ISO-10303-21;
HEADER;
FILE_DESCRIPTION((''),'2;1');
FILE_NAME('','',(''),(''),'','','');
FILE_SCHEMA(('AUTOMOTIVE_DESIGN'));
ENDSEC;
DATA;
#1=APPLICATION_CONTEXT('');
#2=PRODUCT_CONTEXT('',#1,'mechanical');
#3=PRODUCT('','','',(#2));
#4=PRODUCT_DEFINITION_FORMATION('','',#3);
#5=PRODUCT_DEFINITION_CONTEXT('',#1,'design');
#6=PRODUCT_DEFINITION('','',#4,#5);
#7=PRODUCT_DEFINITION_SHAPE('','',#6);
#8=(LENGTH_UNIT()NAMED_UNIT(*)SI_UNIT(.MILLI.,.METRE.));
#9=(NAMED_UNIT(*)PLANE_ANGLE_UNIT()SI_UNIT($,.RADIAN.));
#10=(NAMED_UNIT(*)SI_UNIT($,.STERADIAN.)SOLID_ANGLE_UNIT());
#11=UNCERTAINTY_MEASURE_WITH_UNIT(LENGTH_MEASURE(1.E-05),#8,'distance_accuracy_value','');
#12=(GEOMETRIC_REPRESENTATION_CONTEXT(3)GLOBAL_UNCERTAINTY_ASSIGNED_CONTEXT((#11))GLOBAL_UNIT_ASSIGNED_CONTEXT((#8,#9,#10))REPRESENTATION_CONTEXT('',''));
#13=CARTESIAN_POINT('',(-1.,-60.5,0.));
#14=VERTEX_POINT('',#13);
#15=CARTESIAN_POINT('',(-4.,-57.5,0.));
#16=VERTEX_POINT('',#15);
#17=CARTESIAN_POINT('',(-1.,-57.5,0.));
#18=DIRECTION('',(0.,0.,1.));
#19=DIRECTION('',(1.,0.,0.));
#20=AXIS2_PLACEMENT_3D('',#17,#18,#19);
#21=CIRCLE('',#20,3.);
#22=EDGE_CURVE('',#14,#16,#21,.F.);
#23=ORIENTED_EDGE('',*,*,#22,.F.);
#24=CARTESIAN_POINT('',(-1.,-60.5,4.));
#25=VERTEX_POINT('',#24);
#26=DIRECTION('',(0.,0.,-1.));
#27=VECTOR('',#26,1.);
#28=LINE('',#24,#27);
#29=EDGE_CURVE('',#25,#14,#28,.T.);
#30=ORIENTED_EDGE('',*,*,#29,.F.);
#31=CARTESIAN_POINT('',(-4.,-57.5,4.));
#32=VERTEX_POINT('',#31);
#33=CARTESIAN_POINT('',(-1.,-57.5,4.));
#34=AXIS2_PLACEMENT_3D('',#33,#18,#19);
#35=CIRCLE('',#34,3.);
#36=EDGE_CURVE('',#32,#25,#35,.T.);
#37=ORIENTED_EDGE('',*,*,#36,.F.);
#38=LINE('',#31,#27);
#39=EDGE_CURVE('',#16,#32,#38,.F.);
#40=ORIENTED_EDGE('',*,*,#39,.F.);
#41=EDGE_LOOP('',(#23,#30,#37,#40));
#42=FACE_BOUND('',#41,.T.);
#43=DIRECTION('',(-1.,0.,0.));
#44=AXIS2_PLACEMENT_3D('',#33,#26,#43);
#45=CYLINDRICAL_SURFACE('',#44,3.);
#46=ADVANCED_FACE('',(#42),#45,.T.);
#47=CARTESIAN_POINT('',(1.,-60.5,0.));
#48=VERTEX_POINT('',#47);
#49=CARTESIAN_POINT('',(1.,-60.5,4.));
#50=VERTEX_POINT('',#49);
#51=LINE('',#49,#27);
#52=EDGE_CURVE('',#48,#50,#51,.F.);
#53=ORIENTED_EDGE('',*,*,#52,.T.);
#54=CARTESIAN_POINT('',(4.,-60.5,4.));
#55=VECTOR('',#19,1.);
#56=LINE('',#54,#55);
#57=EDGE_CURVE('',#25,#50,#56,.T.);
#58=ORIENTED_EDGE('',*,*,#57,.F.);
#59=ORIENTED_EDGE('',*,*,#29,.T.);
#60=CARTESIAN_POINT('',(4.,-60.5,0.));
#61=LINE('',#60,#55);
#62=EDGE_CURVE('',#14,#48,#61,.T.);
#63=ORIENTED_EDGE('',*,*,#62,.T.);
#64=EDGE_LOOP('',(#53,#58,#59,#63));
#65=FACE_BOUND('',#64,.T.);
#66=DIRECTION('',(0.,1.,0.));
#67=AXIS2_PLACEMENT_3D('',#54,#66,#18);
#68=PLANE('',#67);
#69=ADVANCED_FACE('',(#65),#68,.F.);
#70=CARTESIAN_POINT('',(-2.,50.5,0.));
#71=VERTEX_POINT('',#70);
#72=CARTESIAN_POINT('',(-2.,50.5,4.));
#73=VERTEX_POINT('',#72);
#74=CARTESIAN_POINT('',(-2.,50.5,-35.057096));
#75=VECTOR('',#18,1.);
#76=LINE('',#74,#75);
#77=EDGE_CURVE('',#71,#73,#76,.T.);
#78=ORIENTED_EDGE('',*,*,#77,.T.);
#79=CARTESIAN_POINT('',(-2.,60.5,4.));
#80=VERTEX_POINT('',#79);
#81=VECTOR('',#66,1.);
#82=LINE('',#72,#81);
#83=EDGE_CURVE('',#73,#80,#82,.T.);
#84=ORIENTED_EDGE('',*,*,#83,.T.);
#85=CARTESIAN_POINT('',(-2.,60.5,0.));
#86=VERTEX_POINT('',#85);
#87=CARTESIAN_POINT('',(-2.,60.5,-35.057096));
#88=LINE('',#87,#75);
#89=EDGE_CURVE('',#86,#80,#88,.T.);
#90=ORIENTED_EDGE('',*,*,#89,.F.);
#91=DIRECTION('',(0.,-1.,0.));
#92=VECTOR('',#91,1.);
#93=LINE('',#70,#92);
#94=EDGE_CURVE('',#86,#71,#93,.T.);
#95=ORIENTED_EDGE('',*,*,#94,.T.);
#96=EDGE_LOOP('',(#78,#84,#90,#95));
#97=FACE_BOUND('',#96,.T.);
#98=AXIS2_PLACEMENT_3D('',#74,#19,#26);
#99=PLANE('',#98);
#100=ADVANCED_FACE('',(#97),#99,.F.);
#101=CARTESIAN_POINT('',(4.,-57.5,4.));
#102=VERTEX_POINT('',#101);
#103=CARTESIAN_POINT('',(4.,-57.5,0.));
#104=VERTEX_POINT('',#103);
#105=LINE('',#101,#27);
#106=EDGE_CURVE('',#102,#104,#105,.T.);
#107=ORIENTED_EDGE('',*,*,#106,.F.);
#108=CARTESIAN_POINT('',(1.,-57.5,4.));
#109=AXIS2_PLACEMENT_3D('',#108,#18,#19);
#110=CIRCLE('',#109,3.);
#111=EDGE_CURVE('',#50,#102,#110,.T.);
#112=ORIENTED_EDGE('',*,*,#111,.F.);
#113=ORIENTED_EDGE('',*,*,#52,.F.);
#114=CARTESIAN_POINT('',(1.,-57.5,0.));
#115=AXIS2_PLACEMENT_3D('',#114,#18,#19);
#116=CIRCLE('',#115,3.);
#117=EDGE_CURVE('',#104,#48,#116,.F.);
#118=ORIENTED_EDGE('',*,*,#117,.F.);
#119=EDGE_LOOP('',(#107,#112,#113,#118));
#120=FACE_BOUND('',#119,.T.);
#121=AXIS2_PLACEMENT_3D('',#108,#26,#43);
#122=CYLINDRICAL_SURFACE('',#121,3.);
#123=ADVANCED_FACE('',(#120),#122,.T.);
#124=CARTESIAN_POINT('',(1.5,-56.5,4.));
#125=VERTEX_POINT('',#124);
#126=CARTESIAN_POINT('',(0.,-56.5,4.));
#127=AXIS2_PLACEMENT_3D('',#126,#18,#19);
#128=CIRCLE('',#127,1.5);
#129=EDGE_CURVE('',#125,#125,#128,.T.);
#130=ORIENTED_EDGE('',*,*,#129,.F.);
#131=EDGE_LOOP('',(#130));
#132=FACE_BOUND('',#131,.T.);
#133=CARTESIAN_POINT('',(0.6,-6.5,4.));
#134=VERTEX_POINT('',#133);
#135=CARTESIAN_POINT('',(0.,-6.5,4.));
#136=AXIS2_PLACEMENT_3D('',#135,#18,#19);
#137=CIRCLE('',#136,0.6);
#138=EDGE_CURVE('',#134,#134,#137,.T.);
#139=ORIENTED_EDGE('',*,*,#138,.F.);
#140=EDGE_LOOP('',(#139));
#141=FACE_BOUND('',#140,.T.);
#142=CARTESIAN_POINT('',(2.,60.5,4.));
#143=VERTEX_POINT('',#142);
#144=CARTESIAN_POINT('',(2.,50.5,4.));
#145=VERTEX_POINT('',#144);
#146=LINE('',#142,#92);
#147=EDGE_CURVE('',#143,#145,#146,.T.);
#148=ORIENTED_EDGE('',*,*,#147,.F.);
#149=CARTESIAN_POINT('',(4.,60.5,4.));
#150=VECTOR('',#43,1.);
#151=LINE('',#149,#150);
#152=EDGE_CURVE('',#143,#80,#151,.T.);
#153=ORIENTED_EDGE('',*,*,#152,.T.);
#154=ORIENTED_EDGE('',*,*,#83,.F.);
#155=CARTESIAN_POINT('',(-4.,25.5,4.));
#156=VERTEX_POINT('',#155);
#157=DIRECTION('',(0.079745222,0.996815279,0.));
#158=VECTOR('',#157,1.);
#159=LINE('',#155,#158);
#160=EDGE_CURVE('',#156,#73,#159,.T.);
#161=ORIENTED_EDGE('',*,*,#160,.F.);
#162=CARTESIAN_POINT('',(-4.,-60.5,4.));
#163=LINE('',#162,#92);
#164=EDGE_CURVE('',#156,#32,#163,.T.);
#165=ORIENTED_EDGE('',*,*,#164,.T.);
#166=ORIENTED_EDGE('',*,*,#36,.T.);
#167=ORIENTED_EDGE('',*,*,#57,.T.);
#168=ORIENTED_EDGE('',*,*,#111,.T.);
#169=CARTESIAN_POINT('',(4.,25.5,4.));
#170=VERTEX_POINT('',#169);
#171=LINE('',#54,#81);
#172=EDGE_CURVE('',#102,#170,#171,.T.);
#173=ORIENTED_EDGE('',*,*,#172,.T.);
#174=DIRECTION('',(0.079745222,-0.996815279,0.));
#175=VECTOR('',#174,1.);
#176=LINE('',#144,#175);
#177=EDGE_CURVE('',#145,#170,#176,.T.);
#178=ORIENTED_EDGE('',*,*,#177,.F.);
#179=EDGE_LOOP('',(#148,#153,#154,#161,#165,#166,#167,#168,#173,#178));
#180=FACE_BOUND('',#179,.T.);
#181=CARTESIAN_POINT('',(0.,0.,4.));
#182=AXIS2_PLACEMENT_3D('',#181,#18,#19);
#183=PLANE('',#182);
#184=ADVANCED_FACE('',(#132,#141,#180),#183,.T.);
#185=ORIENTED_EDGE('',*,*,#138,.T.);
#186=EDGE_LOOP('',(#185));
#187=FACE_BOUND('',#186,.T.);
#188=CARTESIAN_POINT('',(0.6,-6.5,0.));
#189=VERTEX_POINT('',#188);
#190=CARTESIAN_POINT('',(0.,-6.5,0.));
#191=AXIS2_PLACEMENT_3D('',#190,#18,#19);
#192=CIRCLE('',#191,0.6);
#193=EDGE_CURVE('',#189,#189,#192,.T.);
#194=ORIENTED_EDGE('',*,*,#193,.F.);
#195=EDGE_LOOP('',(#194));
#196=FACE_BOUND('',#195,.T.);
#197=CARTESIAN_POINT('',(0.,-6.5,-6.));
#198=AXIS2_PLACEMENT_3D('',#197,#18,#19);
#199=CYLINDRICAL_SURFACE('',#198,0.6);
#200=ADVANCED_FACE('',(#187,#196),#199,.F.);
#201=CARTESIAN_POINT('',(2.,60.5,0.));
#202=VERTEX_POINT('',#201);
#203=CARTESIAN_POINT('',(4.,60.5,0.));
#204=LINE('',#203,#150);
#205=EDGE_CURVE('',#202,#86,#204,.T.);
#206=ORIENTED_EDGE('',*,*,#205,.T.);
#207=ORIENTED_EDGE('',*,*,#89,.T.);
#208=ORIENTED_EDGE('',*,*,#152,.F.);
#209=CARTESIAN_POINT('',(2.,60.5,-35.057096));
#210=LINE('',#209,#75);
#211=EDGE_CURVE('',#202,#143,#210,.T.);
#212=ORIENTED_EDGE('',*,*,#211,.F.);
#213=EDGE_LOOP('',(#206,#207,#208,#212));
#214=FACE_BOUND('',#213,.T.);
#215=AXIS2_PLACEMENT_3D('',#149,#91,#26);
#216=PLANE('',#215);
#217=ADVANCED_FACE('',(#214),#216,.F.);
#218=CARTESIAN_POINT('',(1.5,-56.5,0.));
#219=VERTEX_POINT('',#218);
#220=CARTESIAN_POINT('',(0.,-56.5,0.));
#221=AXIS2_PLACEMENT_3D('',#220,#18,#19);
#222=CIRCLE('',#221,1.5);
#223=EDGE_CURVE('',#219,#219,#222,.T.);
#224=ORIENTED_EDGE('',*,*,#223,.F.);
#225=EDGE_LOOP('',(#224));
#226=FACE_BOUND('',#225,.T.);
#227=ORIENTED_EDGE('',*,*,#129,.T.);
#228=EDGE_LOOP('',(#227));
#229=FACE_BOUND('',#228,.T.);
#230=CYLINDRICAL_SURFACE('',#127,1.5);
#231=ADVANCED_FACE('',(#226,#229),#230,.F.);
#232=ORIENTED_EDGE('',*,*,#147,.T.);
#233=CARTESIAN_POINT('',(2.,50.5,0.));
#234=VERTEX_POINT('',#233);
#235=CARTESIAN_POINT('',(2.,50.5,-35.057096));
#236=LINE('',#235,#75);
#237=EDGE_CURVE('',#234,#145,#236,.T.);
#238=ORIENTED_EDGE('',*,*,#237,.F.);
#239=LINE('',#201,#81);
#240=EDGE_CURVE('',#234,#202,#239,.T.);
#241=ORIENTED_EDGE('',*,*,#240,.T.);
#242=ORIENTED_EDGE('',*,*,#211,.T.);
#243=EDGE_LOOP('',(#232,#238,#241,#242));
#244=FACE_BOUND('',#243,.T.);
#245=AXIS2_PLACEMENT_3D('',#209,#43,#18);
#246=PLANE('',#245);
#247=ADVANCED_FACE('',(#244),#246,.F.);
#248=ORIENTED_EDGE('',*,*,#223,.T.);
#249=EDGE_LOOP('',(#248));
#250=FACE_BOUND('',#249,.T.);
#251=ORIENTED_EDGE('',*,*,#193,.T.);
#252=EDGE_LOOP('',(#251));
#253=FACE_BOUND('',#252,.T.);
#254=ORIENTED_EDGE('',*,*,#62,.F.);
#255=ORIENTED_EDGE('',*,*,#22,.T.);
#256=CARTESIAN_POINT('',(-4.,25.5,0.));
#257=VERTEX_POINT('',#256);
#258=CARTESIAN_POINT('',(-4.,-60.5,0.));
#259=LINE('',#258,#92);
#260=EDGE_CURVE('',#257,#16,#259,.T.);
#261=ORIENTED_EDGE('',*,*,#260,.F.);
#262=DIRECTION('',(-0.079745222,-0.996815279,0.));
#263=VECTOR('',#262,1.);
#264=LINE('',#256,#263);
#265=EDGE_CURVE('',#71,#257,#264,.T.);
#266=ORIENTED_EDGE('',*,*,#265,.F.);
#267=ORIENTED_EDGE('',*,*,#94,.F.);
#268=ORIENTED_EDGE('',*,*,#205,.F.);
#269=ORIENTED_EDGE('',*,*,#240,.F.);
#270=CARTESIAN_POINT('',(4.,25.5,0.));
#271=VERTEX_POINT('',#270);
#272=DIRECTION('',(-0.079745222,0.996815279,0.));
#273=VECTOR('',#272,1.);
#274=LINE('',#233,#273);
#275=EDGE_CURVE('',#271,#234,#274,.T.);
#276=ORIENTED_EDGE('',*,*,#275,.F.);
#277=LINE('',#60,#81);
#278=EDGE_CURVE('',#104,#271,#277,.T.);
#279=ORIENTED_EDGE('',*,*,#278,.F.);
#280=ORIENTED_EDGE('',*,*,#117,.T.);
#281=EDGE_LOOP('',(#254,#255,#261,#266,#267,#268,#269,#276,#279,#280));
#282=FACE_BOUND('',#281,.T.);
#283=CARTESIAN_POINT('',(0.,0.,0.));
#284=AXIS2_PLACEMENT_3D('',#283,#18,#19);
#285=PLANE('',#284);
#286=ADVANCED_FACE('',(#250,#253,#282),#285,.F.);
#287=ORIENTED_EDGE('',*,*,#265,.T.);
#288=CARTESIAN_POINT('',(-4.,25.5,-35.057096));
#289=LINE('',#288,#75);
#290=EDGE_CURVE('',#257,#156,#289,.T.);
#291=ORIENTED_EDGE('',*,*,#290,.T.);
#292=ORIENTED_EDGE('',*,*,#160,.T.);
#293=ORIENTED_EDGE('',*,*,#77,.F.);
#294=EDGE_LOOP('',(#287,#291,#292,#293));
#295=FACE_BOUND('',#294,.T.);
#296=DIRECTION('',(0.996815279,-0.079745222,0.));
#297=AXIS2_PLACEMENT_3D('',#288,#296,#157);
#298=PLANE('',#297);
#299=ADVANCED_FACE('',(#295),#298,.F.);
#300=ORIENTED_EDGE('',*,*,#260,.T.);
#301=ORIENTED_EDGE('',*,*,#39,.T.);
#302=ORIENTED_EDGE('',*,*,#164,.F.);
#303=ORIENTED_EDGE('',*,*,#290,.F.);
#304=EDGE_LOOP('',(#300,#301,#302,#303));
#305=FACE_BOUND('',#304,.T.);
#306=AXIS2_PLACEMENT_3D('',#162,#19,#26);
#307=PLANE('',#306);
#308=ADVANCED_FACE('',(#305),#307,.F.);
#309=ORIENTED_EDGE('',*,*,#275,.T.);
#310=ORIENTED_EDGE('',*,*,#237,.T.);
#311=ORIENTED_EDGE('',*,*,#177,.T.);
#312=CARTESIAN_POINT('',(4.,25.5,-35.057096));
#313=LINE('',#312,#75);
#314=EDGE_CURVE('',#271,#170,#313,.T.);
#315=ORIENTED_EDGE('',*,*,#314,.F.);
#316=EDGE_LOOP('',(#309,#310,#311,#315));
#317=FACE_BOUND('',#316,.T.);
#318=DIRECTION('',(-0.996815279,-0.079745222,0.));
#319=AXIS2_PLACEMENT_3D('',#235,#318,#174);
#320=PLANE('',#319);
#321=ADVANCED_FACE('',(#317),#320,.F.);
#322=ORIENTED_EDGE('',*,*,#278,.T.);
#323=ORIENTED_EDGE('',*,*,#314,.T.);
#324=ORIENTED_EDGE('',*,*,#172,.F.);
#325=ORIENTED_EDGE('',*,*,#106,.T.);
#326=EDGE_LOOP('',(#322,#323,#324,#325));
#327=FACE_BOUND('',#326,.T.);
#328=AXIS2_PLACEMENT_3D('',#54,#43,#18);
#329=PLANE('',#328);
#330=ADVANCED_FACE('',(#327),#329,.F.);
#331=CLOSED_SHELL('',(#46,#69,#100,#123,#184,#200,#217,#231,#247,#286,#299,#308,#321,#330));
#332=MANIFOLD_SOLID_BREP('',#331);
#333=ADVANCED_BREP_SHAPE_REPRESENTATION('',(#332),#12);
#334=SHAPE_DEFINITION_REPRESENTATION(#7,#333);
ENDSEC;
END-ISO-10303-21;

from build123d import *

# Parameters (mm, degrees)
SKETCH1_W             = 8
SKETCH1_H             = 121
BOSS_EXTRUDE1_DEPTH   = 4
FILLET1_R             = 3
CUT_EXTRUDE1_DEPTH    = 4
F_1_0MM_DOWEL_HOLE1_D = 3
SKETCH6_R             = 0.6
CUT_EXTRUDE2_DEPTH    = 10


with BuildPart() as part:
    # Sketch1 → Boss-Extrude1 (new body)
    with BuildSketch(Plane.XY):
        Rectangle(SKETCH1_W, SKETCH1_H)
    extrude(amount=BOSS_EXTRUDE1_DEPTH)

    # Fillet1
    fillet1_edges = [part.edges().sort_by_distance(p)[0] for p in [
        (4, -60.5, 2),
        (-4, -60.5, 2),
    ]]
    fillet(fillet1_edges, radius=FILLET1_R)

    # Sketch2 → Cut-Extrude1 (cut)
    with BuildSketch(Plane.XY.offset(4)):
        Polygon((-4, 25.5), (-2, 50.5), (-2, 60.5), (-4, 60.5), align=None)
        Polygon((2, 60.5), (2, 50.5), (4, 25.5), (4, 60.5), align=None)
    extrude(amount=-CUT_EXTRUDE1_DEPTH, mode=Mode.SUBTRACT)

    # Ø1.0mm Dowel Hole1 (through all)
    with Locations(Plane.XY.offset(4)):
        with Locations((0, -56.5)):
            Hole(F_1_0MM_DOWEL_HOLE1_D / 2)

    # Sketch6 → Cut-Extrude2 (cut)
    with BuildSketch(Plane.XY.offset(4)):
        with Locations((0, -6.5)):
            Circle(SKETCH6_R)
    extrude(amount=-CUT_EXTRUDE2_DEPTH, mode=Mode.SUBTRACT)


solid = part.part
